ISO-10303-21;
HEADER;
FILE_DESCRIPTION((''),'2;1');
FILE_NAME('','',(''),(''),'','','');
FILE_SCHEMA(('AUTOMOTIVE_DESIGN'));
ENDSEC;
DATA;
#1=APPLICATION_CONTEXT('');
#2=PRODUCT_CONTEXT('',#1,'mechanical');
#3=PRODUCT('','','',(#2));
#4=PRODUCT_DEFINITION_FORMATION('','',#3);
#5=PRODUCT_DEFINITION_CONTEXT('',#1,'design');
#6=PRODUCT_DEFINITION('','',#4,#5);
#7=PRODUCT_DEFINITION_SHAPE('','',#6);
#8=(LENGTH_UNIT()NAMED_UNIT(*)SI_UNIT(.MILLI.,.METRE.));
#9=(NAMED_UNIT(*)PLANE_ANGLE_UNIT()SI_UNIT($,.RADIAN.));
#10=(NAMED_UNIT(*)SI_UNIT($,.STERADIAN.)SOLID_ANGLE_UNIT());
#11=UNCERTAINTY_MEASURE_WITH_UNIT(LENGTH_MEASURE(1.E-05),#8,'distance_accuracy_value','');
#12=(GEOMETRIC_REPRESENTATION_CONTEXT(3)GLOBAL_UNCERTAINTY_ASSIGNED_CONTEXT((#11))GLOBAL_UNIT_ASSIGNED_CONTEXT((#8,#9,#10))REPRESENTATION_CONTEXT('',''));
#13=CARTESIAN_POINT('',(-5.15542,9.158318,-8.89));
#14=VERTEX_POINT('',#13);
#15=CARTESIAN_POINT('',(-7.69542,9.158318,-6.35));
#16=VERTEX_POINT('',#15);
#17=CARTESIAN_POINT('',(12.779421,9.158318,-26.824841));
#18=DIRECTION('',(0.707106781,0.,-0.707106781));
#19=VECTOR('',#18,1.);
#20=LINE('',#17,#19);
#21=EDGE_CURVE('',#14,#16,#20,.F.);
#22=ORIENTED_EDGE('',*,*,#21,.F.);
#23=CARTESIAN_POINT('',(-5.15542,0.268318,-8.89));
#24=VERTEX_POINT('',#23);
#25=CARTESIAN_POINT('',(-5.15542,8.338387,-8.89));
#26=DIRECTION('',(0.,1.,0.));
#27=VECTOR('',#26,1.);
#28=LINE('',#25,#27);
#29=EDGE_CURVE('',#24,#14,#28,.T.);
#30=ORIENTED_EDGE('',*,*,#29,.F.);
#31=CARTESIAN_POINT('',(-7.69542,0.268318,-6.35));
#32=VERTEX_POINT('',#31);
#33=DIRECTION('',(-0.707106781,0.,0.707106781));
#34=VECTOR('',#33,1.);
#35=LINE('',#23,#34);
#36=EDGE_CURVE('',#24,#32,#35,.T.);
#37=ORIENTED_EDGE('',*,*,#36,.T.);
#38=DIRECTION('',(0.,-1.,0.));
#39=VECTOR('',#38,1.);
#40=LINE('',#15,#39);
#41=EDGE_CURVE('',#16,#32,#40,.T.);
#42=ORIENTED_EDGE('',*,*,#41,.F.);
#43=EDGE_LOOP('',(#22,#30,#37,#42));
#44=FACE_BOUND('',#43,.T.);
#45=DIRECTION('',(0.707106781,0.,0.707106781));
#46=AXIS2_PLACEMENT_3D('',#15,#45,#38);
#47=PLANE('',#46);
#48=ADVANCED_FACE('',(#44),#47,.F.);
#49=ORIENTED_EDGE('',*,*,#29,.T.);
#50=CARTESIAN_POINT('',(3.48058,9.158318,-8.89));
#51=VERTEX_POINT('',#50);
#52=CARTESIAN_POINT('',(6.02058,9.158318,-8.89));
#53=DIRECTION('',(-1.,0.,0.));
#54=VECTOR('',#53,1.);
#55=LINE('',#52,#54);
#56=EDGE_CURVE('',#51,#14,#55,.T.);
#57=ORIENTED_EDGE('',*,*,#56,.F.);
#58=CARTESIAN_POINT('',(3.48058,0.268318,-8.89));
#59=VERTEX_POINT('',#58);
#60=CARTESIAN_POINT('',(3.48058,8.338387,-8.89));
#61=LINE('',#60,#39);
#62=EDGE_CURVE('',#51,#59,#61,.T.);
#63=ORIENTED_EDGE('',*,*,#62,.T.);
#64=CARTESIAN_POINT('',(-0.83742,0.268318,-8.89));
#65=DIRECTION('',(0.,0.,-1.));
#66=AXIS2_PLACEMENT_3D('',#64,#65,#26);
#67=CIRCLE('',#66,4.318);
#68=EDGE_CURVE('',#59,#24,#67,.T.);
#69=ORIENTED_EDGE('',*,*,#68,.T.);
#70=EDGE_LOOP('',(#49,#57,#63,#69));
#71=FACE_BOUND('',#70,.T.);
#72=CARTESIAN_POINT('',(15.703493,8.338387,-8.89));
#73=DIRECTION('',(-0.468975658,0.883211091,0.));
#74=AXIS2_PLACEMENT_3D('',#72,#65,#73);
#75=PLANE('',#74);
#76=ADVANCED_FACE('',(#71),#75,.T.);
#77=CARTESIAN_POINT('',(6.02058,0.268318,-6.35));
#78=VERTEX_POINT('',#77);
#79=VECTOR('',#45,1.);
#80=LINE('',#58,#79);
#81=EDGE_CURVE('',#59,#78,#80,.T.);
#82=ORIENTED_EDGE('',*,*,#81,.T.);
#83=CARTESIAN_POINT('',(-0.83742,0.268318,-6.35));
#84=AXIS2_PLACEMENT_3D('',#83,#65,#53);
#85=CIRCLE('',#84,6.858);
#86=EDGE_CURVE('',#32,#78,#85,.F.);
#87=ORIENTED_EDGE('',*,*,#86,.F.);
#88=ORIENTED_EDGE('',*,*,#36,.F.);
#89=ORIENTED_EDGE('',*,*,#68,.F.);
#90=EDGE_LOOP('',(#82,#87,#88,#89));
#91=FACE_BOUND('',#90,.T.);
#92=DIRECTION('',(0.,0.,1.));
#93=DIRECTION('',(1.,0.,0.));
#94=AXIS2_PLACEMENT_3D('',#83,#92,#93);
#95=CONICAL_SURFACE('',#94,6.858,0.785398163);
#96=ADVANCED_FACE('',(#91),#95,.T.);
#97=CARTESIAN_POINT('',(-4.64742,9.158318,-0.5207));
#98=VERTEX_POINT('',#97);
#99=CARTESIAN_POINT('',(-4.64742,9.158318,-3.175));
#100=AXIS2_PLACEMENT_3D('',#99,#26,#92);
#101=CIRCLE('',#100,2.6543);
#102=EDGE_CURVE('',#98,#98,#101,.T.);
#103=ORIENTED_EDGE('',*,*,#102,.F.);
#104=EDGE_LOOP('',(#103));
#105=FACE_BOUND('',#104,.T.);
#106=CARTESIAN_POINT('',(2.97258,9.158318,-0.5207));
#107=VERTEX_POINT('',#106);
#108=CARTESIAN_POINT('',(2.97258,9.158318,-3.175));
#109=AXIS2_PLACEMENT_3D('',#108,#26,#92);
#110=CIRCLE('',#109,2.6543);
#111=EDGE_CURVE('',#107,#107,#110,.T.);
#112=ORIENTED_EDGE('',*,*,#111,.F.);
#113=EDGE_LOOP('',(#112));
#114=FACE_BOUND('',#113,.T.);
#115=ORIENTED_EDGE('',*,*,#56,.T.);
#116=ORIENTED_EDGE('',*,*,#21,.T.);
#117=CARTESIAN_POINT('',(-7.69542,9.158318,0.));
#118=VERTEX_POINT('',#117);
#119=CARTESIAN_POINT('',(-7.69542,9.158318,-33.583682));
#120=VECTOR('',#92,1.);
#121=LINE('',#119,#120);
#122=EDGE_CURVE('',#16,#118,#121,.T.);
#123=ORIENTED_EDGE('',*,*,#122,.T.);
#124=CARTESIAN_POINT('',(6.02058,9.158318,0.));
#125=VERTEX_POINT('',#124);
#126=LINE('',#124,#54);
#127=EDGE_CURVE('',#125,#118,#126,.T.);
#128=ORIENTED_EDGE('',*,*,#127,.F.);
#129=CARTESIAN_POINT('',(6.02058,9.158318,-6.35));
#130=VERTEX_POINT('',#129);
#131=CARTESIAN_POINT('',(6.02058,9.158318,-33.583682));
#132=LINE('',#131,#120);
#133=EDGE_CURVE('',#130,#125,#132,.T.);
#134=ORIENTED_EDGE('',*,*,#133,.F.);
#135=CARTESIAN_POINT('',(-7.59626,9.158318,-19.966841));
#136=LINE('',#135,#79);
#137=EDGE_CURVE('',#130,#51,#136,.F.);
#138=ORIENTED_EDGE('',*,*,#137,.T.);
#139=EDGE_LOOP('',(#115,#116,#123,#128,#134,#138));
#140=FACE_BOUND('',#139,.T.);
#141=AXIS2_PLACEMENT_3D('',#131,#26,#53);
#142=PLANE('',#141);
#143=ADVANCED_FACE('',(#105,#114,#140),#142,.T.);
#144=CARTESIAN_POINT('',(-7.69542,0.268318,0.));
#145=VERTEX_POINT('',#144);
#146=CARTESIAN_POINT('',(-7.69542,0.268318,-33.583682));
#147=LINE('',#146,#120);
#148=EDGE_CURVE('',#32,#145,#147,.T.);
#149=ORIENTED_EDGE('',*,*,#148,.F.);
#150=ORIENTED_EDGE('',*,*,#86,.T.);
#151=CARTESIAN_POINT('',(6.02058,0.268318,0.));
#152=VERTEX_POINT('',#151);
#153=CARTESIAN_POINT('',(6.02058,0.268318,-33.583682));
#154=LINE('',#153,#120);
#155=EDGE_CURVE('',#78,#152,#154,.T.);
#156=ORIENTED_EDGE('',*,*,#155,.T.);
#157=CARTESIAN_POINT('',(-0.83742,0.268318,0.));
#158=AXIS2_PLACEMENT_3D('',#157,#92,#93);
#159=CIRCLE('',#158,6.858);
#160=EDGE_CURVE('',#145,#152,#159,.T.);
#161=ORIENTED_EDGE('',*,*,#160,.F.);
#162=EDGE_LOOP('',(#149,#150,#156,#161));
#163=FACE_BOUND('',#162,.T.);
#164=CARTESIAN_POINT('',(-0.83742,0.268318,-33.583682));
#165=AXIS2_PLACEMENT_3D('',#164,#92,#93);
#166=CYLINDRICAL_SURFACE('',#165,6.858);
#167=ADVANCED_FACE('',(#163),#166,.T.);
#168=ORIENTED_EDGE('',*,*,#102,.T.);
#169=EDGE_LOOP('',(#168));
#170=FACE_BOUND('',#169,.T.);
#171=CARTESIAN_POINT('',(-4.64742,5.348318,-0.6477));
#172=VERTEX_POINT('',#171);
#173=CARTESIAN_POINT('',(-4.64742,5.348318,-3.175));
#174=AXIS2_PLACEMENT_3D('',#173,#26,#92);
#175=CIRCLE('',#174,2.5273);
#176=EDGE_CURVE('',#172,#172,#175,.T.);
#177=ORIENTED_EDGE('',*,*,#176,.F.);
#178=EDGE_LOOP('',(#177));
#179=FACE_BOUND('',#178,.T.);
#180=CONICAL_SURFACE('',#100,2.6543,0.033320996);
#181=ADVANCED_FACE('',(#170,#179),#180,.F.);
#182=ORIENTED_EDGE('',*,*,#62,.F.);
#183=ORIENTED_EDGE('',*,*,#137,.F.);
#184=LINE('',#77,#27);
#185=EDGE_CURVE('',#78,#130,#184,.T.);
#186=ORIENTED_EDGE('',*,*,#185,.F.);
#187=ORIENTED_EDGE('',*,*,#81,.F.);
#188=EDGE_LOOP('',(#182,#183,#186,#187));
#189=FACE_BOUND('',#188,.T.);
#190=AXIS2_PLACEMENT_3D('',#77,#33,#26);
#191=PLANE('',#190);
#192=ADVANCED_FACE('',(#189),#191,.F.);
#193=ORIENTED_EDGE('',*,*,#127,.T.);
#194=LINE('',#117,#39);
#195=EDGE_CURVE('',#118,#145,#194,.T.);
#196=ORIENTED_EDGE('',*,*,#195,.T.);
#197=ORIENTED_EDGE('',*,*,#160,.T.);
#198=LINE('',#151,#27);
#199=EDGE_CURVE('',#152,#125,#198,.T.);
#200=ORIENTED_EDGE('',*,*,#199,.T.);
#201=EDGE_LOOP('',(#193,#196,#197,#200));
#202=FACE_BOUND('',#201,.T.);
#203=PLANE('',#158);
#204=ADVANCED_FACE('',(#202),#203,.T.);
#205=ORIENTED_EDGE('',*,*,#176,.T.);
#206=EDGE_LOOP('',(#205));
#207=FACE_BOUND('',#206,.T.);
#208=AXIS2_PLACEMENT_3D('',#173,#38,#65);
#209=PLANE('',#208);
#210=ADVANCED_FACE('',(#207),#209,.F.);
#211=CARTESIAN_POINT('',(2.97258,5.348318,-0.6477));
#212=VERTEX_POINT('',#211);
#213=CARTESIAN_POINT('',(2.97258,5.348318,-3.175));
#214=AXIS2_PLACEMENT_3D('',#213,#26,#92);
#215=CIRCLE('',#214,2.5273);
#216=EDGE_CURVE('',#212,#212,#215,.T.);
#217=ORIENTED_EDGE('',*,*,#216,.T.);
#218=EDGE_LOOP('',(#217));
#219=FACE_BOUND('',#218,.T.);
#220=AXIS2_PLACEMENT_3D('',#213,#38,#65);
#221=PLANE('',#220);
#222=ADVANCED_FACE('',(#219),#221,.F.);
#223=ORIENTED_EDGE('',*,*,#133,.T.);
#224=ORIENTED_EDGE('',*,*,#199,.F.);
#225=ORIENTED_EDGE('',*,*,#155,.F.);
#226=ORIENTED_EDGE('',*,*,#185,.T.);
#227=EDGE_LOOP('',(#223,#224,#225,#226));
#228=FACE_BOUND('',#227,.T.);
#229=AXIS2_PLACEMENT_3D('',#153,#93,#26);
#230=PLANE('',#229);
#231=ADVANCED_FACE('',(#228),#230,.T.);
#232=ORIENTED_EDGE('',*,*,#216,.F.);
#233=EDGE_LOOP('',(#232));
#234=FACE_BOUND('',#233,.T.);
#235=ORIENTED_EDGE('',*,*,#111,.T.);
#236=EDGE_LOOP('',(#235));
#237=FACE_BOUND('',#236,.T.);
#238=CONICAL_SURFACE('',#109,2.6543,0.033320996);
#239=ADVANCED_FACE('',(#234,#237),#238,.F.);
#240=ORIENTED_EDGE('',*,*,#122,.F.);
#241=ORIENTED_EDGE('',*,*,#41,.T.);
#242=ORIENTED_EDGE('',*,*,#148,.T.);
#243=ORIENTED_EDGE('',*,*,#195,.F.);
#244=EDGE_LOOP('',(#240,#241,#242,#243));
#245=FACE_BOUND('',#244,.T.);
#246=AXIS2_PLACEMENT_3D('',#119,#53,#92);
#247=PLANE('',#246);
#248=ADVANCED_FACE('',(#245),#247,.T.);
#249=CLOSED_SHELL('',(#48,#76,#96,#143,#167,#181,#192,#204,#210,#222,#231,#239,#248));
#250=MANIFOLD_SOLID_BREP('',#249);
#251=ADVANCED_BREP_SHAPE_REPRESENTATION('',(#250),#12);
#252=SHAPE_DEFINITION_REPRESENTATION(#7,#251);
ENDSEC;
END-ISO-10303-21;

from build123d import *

# Parameters (mm, degrees)
BOSS_EXTRUDE1_DEPTH = 8.89
CHAMFER1_SIZE       = 2.54
HOLE1_AT_2_COUNT    = 2
HOLE1_AT_2_PITCH    = 7.62


with BuildPart() as part:
    # Sketch1 → Boss-Extrude1 (new body)
    with BuildSketch(Plane.XY):
        with BuildLine():
            Line((6.020580432, 9.158318359), (-7.695419568, 9.158318359))
            Line((-7.695419568, 9.158318359), (-7.695419568, 0.268318359))
            ThreePointArc((-7.695419568, 0.268318359), (-0.837419568, -6.589681641), (6.020580432, 0.268318359))
            Line((6.020580432, 0.268318359), (6.020580432, 9.158318359))
        make_face()
    extrude(amount=-BOSS_EXTRUDE1_DEPTH)

    # Chamfer1
    chamfer1_edges = [part.edges().sort_by_distance(p)[0] for p in [
        (-0.837419568, -6.589681641, -8.89),
        (6.020580432, 4.713318359, -8.89),
        (-7.695419568, 4.713318359, -8.89),
    ]]
    chamfer(chamfer1_edges, length=CHAMFER1_SIZE)

    # Sketch3 → Hole1 (revolve, cut)
    with BuildSketch(Plane(origin=(2.972580432, 9.158318359, -3.175), x_dir=(0, 0, 1), z_dir=(1, 0, 0))):
        Polygon((0, 0), (0, 3.81), (2.5273, 3.81), (2.6543, 0), align=None)
    hole1 = revolve(axis=Axis((2.972580432, -100.841681641, -3.175), (0, 1, 0)), mode=Mode.SUBTRACT)

    # Hole1 at 2: Hole1 ×2
    with Locations(*[(-i * HOLE1_AT_2_PITCH, 0, 0) for i in range(1, HOLE1_AT_2_COUNT)]):
        add(hole1, mode=Mode.SUBTRACT)


solid = part.part
